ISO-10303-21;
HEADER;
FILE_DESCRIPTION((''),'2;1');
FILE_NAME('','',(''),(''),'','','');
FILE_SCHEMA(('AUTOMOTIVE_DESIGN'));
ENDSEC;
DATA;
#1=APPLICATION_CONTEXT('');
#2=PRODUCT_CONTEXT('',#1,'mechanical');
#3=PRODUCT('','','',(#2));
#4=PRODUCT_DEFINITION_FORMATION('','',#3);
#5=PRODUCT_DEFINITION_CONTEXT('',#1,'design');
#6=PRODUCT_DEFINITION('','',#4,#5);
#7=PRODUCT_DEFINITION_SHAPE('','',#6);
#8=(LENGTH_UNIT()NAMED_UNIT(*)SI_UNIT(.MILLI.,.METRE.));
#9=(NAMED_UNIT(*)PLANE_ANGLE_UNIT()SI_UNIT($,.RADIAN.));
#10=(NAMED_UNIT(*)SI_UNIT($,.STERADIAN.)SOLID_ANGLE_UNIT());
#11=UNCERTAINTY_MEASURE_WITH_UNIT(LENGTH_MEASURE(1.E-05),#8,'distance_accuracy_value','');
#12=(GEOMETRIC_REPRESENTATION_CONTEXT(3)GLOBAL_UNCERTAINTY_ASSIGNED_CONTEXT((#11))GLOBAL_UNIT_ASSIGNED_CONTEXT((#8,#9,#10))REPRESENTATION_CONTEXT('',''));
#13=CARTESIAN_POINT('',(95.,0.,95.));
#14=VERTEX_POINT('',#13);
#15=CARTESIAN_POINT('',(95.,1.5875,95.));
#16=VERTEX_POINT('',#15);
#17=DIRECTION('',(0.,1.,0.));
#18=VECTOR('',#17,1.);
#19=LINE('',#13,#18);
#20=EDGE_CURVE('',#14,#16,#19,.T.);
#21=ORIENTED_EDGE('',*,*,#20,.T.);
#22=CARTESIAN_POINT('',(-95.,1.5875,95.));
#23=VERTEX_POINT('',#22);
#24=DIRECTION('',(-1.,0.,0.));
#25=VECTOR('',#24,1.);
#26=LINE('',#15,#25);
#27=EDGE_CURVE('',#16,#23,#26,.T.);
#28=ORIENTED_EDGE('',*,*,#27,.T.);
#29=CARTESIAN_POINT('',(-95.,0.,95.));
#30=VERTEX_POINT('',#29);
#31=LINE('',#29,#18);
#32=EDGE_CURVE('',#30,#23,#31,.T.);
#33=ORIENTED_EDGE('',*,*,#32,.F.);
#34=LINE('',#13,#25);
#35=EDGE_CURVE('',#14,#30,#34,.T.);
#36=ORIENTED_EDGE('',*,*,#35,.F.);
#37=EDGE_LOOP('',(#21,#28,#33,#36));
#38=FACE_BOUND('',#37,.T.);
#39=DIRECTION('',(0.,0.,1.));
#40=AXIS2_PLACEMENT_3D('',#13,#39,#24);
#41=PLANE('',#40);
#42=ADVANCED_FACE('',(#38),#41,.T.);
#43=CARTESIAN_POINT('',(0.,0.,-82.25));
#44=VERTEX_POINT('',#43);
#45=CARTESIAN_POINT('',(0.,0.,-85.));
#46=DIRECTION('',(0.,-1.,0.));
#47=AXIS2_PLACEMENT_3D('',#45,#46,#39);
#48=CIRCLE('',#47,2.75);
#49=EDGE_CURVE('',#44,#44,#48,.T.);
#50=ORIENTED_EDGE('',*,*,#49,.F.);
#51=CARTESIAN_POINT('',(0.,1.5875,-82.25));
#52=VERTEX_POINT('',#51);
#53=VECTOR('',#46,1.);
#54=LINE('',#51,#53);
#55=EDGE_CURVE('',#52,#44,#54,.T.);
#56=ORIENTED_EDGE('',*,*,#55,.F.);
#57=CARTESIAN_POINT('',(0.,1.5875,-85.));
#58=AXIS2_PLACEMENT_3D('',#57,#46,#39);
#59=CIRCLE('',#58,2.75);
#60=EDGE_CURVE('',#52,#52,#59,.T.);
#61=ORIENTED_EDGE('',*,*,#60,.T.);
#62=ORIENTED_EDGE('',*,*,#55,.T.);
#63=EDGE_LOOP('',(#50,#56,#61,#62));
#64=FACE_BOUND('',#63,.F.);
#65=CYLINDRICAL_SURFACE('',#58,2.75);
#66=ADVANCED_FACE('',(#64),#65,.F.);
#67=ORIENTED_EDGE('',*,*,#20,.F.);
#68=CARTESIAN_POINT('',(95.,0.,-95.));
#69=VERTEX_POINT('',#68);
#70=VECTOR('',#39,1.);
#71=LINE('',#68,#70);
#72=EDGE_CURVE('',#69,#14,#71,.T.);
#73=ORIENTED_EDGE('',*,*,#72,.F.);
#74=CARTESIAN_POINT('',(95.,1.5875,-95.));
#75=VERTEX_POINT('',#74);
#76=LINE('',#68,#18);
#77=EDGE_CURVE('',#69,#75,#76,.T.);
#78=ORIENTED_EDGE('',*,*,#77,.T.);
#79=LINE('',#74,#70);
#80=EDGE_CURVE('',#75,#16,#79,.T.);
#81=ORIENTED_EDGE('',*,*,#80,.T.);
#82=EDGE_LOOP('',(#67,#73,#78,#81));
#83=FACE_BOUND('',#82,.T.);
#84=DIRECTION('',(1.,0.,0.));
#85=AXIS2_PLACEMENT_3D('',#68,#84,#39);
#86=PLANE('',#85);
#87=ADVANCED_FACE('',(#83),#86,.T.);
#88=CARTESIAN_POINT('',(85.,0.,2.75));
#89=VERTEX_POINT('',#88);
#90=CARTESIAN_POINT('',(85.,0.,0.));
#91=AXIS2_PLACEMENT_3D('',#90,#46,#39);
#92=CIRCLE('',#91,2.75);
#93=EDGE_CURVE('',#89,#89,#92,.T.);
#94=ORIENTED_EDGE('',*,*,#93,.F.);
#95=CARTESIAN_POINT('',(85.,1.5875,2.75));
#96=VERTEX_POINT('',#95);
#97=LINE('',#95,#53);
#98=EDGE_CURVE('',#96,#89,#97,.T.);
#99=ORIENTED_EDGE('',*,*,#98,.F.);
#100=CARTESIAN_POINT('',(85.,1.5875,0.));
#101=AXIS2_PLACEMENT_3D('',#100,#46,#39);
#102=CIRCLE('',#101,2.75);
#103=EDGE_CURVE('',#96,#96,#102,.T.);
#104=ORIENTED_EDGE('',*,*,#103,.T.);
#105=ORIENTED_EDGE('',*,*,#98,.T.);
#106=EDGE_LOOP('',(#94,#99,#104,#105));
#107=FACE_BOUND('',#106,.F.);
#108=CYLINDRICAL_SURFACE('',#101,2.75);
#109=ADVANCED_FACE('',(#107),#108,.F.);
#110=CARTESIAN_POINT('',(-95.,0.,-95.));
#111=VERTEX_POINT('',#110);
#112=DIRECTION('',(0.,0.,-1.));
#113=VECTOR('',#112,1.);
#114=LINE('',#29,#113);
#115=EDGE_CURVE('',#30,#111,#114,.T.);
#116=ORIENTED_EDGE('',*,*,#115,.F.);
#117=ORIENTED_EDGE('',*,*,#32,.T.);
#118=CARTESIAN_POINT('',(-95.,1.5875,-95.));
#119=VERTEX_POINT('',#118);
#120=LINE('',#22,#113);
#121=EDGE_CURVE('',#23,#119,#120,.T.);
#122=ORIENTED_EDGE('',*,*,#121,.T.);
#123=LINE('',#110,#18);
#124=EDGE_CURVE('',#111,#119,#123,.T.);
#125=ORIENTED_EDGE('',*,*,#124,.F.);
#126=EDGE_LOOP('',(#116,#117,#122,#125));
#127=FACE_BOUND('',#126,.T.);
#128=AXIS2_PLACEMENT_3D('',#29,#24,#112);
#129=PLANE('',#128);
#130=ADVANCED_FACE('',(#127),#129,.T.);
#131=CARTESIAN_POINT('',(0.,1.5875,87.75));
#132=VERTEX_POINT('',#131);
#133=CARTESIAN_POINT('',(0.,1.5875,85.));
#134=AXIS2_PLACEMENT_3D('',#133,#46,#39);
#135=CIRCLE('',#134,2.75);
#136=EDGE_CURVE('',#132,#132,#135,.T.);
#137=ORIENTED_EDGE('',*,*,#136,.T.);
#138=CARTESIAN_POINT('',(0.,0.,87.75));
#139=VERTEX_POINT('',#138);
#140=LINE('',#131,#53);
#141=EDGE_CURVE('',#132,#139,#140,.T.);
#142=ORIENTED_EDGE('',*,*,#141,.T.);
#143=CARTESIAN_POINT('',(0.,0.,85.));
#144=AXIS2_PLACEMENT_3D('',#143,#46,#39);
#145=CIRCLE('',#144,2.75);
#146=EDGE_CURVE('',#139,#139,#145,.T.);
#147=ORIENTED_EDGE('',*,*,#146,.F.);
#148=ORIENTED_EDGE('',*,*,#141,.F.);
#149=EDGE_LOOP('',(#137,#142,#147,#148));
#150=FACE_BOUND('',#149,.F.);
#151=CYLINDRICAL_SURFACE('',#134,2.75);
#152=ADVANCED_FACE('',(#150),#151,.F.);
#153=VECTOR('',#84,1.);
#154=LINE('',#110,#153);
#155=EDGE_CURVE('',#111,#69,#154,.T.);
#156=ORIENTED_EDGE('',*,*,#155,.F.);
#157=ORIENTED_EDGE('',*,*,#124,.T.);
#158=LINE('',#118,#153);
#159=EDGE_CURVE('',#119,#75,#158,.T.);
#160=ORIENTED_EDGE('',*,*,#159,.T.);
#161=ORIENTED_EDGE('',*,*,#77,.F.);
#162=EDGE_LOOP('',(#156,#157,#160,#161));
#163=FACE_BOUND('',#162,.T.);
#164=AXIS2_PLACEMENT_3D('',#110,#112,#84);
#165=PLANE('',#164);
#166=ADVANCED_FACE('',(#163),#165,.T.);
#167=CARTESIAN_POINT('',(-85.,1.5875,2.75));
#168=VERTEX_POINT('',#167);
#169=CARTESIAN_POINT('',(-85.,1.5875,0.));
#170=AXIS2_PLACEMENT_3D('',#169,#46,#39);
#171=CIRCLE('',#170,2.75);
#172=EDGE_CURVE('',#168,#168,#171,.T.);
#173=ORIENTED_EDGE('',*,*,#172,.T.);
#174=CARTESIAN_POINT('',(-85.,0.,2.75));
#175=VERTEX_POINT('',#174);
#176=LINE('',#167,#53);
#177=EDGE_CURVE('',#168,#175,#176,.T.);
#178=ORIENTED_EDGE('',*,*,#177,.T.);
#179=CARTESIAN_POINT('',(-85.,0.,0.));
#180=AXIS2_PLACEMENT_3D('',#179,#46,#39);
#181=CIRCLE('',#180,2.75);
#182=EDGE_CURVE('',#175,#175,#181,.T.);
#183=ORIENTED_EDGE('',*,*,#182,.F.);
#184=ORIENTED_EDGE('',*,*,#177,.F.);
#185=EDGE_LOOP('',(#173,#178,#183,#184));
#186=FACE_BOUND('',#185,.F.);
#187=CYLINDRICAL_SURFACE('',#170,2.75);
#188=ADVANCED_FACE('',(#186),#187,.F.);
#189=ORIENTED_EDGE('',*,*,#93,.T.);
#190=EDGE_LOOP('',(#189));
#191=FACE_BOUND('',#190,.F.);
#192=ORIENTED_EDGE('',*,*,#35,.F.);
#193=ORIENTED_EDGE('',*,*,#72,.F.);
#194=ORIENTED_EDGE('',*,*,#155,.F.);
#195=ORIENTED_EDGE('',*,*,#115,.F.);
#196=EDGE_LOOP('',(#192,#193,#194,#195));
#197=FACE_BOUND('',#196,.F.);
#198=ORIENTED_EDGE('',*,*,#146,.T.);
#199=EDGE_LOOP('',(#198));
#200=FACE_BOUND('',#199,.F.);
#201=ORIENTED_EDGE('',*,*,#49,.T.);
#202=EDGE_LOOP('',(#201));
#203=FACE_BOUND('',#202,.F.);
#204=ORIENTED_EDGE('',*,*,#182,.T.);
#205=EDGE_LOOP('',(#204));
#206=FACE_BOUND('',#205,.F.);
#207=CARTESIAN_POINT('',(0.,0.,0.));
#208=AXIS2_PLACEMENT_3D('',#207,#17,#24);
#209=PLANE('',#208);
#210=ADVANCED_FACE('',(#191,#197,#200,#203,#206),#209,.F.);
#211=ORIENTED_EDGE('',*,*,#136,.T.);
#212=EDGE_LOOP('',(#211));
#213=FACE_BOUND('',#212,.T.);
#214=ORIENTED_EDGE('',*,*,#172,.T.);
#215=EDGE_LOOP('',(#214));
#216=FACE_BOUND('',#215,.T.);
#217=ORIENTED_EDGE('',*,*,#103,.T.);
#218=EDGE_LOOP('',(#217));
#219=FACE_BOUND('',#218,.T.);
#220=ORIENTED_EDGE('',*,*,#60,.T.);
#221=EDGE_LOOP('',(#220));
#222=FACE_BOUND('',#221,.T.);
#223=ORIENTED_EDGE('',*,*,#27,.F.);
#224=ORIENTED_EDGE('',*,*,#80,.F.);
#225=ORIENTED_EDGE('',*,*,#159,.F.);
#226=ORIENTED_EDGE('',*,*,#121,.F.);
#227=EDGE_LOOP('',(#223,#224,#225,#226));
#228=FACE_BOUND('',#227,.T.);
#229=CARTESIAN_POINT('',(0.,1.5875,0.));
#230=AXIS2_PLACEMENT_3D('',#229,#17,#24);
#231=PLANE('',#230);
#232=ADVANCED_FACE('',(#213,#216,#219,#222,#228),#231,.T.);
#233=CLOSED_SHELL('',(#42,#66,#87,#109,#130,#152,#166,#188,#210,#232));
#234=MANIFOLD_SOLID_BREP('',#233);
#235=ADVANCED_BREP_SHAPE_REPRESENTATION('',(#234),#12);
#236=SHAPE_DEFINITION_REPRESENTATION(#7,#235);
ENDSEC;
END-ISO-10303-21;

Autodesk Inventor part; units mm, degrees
ref_plane "YZ Plane" through (0, 0, 0) normal (1, 0, 0) x (0, 1, 0)
ref_plane "XZ Plane" through (0, 0, 0) normal (0, 1, 0) x (-1, 0, 0)
ref_plane "XY Plane" through (0, 0, 0) normal (0, 0, 1) x (1, 0, 0)
sketch "Sketch1" plane through (0, 0, 0) normal (0, 1, 0) x (-1, 0, 0)
  line L0 (95, -95) -> (-95, -95)
  line L1 (-95, -95) -> (-95, 95)
  line L2 (-95, 95) -> (95, 95)
  line L3 (95, 95) -> (95, -95)
  line L4 (95, -95) -> (-95, 95) construction
  line L5 (-95, -95) -> (95, 95) construction
  point P0 (0, 0)
  dimension "d0" = 190
extrude "Extrusion1" add sketch "Sketch1" along normal blind 1.5875
sketch "Sketch2" plane through (0, 1.5875, 0) normal (0, 1, 0) x (1, 0, 0)
  line L0 (-95, 95) -> (-95, -95) projected
  line L1 (-95, -95) -> (95, -95) projected
  line L2 (95, 95) -> (-95, 95) projected
  line L3 (-95, 95) -> (-95, -95) projected
  line L4 (-95, -95) -> (95, -95) projected
  line L5 (95, -95) -> (95, 95) projected
  point P0 (-85, 0)
  point P1 (0, -85)
  point P2 (85, 0)
  point P3 (0, 85)
  point P4 (0, 0)
  dimension "d17" = 10
  dimension "d18" = 10
  dimension "d19" = 10
  dimension "d20" = 10
hole "Hole1" at (-85, 1.5875, 0) at (0, 1.5875, 85) at (85, 1.5875, 0) at (0, 1.5875, -85) direction (0, -1, 0) diameter 5.5 end through all clearance for "Flat Head Machine Screw" size "M5" standard "Ansi Metric M Profile"
properties part number "short covering" material "Glass"
